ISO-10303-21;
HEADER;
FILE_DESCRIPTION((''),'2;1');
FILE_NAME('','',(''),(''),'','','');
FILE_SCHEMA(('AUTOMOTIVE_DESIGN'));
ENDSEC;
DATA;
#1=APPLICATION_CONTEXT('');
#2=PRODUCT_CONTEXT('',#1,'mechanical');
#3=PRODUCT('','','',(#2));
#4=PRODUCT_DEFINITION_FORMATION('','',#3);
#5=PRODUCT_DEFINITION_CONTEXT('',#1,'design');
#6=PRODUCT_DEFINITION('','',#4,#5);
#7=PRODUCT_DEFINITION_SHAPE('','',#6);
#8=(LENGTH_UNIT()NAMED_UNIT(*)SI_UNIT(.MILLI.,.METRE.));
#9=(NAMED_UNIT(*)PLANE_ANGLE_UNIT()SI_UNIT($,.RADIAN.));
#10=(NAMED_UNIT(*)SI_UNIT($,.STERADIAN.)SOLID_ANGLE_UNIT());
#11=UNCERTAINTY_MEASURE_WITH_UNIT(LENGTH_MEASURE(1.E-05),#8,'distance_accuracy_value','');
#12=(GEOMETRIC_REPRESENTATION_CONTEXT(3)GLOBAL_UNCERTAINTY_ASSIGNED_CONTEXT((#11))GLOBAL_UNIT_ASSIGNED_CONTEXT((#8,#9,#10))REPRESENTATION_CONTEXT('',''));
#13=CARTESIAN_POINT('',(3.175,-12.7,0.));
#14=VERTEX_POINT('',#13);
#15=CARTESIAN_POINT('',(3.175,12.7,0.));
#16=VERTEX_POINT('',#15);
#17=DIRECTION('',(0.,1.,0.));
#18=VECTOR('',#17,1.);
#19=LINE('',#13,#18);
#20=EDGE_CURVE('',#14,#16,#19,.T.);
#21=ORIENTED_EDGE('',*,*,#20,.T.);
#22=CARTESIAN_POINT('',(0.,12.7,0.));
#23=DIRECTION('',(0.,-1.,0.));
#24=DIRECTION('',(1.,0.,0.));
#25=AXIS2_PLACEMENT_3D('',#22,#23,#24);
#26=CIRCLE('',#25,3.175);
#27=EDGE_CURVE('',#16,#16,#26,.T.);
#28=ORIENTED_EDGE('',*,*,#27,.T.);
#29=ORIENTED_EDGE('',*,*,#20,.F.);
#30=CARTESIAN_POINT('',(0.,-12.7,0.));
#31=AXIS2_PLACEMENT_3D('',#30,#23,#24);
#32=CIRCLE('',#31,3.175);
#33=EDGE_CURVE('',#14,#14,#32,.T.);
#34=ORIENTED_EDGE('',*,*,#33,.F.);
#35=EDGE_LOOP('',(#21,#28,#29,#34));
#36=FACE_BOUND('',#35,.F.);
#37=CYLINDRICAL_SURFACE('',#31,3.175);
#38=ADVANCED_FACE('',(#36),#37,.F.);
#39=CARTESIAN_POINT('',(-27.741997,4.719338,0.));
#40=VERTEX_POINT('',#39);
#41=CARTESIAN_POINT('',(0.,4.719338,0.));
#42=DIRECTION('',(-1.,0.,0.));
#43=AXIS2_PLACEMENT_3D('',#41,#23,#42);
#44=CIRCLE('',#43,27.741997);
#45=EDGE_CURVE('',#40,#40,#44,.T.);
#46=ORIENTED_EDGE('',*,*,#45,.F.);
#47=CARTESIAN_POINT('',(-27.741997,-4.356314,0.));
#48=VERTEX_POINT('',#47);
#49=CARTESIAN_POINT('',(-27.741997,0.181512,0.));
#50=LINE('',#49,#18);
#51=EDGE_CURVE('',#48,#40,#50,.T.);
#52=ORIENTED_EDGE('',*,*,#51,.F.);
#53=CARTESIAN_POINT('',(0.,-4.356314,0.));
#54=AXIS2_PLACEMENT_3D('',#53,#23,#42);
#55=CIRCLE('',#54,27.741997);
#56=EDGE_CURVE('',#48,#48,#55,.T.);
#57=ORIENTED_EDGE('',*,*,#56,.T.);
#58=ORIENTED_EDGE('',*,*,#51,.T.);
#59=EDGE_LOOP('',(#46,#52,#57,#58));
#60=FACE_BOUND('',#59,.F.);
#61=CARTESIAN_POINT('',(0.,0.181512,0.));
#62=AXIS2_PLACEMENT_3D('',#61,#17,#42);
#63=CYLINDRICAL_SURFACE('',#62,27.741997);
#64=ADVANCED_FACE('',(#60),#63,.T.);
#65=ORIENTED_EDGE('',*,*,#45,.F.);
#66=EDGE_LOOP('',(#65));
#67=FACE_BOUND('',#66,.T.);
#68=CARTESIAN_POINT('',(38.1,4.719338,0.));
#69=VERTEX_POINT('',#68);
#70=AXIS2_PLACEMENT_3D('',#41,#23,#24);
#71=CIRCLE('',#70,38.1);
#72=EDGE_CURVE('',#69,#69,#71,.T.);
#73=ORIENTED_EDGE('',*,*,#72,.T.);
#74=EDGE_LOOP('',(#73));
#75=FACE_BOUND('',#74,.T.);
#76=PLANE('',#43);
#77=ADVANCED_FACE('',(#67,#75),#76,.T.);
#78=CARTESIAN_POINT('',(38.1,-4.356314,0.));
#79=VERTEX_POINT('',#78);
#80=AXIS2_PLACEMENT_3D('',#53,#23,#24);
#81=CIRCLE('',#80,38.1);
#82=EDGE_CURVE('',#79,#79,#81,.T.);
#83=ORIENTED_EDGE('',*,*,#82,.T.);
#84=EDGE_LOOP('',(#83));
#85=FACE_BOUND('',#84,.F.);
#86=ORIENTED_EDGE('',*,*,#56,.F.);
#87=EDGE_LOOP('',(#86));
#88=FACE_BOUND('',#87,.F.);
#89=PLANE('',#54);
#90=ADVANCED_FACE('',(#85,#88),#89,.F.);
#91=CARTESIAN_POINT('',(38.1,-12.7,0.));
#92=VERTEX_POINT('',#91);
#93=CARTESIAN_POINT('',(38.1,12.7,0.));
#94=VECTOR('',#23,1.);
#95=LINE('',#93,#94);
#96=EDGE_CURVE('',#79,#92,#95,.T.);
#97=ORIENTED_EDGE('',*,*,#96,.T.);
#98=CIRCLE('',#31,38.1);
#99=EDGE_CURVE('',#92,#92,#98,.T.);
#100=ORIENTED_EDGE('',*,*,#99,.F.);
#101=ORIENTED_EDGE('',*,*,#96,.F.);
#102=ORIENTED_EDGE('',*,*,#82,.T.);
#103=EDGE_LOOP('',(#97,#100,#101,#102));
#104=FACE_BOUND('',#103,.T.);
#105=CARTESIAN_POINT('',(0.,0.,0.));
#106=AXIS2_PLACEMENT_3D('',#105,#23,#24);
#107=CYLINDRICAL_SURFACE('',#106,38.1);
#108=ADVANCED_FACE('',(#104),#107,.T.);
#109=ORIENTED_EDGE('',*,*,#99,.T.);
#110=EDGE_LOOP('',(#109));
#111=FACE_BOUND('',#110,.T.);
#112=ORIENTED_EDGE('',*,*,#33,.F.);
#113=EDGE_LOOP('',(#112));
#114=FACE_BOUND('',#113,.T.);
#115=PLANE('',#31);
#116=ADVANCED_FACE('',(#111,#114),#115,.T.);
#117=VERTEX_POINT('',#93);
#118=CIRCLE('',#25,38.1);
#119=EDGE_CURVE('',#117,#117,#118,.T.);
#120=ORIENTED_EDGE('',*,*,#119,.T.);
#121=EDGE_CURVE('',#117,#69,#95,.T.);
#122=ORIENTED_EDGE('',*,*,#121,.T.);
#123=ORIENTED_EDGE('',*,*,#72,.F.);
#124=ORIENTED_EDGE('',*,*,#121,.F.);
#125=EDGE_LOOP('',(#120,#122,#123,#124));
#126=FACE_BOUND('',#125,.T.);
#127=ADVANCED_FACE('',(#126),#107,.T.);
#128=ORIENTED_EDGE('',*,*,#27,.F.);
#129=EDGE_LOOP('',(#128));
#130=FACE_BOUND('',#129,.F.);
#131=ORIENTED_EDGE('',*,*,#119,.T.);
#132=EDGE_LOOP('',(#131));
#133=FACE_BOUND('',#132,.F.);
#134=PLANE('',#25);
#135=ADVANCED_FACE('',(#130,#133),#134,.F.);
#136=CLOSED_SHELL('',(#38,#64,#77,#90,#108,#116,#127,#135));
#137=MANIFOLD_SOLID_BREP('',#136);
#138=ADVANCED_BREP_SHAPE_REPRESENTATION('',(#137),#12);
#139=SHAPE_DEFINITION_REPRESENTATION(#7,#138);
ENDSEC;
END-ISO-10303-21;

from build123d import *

# Parameters (mm, degrees)
F0_R     = 38.1
F1_DEPTH = 12.7
F2_W     = 20.0255792588
F2_H     = 9.0756523423
F4_R     = 3.175
F5_DEPTH = 25.401


with BuildPart() as f1:
    # F0 (on Front) → F1 (new body, symmetric)
    with BuildSketch(Plane.XZ):
        Circle(F0_R)
    extrude(amount=F1_DEPTH, both=True)

    # F2 (on Top) → F3 (revolve, cut)
    with BuildSketch(Plane.XY):
        with Locations((-37.7547862008, 0.1815122087)):
            Rectangle(F2_W, F2_H)
    revolve(axis=Axis((0, -0.3630269784, 0), (0, -1, 0)), mode=Mode.SUBTRACT)

    # F4 (on face) → F5 (cut, through all)
    with BuildSketch(Plane.XZ.offset(12.7)):
        Circle(F4_R)
    extrude(amount=-F5_DEPTH, mode=Mode.SUBTRACT)


solid = f1.part
